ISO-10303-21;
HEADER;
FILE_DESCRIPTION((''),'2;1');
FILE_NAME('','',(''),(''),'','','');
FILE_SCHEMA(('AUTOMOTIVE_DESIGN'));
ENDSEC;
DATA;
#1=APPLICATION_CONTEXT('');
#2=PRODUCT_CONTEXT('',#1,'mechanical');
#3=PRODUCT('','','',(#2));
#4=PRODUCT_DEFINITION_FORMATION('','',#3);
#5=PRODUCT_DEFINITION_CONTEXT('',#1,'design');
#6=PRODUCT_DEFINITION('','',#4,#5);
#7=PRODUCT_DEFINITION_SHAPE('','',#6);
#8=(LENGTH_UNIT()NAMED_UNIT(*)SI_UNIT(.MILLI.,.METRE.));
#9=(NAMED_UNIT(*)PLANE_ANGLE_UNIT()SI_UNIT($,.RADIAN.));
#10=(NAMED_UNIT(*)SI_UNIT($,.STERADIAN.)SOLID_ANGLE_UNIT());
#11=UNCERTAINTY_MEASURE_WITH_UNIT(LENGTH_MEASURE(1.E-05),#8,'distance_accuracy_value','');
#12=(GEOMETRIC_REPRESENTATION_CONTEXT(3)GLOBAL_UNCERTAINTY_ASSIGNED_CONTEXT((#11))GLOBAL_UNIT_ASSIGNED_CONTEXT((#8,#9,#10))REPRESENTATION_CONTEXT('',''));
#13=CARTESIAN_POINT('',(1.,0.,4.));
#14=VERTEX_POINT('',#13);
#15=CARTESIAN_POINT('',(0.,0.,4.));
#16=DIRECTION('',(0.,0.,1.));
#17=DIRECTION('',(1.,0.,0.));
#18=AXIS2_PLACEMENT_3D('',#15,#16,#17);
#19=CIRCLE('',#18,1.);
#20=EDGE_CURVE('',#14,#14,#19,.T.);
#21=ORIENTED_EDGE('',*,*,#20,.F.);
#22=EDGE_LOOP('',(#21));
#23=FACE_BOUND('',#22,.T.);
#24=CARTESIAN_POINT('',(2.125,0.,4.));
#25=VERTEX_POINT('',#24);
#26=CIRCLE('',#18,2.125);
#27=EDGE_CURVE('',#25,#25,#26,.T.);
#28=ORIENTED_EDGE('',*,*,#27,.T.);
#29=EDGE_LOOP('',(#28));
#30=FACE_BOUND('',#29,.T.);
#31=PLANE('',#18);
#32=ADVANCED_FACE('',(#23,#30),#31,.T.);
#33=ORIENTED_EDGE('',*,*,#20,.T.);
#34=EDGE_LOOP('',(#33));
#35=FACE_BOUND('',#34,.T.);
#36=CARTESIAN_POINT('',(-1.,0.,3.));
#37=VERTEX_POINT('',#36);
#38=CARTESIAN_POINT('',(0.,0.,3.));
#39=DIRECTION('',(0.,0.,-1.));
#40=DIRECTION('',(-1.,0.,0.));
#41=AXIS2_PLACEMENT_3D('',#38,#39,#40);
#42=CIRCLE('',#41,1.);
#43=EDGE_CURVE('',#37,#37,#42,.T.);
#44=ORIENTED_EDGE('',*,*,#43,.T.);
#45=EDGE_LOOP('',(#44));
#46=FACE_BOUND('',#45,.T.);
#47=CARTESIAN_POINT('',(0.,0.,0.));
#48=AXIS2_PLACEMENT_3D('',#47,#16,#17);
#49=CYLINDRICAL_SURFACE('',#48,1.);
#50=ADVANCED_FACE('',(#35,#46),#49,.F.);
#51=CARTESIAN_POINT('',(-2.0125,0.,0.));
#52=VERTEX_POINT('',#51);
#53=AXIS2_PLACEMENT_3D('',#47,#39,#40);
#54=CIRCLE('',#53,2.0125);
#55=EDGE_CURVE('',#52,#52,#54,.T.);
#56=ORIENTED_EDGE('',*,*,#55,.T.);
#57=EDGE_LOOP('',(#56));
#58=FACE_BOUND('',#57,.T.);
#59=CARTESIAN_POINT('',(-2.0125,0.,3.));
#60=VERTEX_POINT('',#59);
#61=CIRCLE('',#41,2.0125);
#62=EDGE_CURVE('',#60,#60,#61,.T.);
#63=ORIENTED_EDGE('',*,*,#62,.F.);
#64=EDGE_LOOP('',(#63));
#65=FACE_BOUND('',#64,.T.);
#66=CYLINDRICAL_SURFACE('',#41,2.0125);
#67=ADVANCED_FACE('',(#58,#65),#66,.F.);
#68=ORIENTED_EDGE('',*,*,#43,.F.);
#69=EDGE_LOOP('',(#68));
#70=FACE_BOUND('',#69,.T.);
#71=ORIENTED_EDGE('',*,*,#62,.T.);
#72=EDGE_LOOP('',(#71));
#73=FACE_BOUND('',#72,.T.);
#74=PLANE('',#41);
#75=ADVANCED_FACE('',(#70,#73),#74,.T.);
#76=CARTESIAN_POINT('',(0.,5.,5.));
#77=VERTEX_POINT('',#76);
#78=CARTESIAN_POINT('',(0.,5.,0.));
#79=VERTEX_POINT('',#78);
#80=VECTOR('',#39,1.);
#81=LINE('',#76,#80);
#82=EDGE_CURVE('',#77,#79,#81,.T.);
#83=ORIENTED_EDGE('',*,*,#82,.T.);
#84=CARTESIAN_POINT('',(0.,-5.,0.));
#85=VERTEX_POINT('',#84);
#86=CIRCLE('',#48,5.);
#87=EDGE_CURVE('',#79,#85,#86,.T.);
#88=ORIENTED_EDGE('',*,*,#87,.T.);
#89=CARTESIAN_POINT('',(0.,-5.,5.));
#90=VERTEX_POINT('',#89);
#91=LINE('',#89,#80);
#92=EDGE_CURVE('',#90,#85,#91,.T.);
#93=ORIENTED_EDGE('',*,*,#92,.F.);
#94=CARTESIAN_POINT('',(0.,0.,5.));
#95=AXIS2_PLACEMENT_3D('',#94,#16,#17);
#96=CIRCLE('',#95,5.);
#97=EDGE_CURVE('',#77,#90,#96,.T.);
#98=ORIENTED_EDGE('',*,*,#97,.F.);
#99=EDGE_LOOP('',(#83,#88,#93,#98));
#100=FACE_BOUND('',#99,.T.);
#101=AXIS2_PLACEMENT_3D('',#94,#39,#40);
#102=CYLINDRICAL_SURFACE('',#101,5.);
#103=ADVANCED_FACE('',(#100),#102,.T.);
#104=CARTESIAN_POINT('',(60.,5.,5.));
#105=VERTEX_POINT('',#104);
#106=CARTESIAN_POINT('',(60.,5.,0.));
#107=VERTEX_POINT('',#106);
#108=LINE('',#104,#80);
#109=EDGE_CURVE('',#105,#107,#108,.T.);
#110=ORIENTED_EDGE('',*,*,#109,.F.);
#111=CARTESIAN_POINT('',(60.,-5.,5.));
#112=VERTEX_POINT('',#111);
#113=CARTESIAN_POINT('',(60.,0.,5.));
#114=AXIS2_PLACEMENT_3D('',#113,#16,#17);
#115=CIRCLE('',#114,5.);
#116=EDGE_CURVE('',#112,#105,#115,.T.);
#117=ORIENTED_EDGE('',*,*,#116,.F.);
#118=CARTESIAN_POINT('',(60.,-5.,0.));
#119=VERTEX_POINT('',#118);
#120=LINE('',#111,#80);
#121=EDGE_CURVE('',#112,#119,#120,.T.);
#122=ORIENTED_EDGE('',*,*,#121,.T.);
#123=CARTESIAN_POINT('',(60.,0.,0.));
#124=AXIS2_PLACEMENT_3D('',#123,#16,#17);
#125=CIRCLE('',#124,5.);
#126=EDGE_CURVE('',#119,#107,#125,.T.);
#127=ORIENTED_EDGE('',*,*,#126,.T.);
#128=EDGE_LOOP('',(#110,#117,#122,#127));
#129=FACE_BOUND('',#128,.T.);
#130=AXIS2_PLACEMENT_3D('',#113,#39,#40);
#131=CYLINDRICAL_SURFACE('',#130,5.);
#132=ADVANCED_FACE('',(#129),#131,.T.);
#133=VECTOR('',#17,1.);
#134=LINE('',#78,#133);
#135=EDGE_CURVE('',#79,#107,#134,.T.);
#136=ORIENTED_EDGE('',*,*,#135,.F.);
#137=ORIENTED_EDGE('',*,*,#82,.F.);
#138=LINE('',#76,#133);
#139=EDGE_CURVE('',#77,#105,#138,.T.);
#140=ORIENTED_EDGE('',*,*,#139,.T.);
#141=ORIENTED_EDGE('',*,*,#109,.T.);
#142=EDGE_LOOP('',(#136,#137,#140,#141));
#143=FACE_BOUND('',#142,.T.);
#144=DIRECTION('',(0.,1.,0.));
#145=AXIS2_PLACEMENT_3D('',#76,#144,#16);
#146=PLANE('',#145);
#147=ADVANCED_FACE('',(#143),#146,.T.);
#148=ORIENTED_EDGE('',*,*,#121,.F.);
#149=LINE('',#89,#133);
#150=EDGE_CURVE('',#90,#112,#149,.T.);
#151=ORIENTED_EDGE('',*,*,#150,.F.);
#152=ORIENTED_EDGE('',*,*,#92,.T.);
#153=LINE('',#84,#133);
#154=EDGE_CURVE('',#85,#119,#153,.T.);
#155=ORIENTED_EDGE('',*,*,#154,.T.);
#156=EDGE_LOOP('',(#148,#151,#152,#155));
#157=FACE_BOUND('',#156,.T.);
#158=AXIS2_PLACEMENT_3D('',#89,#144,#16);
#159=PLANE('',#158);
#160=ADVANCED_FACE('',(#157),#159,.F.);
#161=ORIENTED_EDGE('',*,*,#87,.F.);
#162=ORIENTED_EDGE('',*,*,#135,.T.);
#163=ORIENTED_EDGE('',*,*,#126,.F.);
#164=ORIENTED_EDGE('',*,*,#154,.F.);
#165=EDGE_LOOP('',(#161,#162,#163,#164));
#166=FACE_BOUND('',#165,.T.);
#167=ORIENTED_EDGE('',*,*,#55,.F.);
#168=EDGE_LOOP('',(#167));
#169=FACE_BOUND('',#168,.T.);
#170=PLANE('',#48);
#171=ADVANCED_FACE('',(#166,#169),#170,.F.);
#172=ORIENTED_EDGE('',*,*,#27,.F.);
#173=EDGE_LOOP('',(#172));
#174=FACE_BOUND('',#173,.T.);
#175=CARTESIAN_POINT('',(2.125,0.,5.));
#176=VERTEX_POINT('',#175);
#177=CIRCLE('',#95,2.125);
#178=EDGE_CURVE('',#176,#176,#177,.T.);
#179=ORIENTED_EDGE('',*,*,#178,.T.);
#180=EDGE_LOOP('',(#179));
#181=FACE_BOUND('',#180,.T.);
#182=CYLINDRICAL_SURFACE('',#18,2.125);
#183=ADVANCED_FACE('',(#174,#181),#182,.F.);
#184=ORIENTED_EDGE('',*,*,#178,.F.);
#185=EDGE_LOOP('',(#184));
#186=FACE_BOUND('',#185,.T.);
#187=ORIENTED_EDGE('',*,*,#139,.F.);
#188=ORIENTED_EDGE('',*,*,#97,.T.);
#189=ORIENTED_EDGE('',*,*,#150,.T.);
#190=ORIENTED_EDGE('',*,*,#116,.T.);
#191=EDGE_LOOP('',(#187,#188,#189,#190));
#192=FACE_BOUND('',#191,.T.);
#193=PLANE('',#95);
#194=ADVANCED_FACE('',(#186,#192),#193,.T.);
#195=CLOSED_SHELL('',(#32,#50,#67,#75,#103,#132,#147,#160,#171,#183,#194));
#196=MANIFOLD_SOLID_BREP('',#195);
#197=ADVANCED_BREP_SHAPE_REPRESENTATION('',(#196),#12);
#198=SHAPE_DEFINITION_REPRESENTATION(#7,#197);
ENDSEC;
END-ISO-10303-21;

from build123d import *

# Parameters (mm, degrees)
BOSS_EXTRUDE1_DEPTH = 5
SKETCH2_R           = 2.0125
CUT_EXTRUDE1_DEPTH  = 3
SKETCH3_R           = 2.125
CUT_EXTRUDE2_DEPTH  = 1
SKETCH4_R           = 1
CUT_EXTRUDE3_DEPTH  = 5


with BuildPart() as part:
    # Sketch1 → Boss-Extrude1 (new body)
    with BuildSketch(Plane.XY):
        with BuildLine():
            Line((0, 5), (60, 5))
            ThreePointArc((60, 5), (65, 0), (60, -5))
            Line((60, -5), (0, -5))
            ThreePointArc((0, -5), (-5, 0), (0, 5))
        make_face()
    extrude(amount=BOSS_EXTRUDE1_DEPTH)

    # Sketch2 → Cut-Extrude1 (cut)
    with BuildSketch(Plane(origin=(0, 0, 0), x_dir=(-1, 0, 0), z_dir=(0, 0, -1))):
        Circle(SKETCH2_R)
    extrude(amount=-CUT_EXTRUDE1_DEPTH, mode=Mode.SUBTRACT)

    # Sketch3 → Cut-Extrude2 (cut)
    with BuildSketch(Plane.XY.offset(5)):
        Circle(SKETCH3_R)
    extrude(amount=-CUT_EXTRUDE2_DEPTH, mode=Mode.SUBTRACT)

    # Sketch4 → Cut-Extrude3 (cut, through all)
    with BuildSketch(Plane.XY.offset(4)):
        Circle(SKETCH4_R)
    extrude(amount=-CUT_EXTRUDE3_DEPTH, mode=Mode.SUBTRACT)


solid = part.part
